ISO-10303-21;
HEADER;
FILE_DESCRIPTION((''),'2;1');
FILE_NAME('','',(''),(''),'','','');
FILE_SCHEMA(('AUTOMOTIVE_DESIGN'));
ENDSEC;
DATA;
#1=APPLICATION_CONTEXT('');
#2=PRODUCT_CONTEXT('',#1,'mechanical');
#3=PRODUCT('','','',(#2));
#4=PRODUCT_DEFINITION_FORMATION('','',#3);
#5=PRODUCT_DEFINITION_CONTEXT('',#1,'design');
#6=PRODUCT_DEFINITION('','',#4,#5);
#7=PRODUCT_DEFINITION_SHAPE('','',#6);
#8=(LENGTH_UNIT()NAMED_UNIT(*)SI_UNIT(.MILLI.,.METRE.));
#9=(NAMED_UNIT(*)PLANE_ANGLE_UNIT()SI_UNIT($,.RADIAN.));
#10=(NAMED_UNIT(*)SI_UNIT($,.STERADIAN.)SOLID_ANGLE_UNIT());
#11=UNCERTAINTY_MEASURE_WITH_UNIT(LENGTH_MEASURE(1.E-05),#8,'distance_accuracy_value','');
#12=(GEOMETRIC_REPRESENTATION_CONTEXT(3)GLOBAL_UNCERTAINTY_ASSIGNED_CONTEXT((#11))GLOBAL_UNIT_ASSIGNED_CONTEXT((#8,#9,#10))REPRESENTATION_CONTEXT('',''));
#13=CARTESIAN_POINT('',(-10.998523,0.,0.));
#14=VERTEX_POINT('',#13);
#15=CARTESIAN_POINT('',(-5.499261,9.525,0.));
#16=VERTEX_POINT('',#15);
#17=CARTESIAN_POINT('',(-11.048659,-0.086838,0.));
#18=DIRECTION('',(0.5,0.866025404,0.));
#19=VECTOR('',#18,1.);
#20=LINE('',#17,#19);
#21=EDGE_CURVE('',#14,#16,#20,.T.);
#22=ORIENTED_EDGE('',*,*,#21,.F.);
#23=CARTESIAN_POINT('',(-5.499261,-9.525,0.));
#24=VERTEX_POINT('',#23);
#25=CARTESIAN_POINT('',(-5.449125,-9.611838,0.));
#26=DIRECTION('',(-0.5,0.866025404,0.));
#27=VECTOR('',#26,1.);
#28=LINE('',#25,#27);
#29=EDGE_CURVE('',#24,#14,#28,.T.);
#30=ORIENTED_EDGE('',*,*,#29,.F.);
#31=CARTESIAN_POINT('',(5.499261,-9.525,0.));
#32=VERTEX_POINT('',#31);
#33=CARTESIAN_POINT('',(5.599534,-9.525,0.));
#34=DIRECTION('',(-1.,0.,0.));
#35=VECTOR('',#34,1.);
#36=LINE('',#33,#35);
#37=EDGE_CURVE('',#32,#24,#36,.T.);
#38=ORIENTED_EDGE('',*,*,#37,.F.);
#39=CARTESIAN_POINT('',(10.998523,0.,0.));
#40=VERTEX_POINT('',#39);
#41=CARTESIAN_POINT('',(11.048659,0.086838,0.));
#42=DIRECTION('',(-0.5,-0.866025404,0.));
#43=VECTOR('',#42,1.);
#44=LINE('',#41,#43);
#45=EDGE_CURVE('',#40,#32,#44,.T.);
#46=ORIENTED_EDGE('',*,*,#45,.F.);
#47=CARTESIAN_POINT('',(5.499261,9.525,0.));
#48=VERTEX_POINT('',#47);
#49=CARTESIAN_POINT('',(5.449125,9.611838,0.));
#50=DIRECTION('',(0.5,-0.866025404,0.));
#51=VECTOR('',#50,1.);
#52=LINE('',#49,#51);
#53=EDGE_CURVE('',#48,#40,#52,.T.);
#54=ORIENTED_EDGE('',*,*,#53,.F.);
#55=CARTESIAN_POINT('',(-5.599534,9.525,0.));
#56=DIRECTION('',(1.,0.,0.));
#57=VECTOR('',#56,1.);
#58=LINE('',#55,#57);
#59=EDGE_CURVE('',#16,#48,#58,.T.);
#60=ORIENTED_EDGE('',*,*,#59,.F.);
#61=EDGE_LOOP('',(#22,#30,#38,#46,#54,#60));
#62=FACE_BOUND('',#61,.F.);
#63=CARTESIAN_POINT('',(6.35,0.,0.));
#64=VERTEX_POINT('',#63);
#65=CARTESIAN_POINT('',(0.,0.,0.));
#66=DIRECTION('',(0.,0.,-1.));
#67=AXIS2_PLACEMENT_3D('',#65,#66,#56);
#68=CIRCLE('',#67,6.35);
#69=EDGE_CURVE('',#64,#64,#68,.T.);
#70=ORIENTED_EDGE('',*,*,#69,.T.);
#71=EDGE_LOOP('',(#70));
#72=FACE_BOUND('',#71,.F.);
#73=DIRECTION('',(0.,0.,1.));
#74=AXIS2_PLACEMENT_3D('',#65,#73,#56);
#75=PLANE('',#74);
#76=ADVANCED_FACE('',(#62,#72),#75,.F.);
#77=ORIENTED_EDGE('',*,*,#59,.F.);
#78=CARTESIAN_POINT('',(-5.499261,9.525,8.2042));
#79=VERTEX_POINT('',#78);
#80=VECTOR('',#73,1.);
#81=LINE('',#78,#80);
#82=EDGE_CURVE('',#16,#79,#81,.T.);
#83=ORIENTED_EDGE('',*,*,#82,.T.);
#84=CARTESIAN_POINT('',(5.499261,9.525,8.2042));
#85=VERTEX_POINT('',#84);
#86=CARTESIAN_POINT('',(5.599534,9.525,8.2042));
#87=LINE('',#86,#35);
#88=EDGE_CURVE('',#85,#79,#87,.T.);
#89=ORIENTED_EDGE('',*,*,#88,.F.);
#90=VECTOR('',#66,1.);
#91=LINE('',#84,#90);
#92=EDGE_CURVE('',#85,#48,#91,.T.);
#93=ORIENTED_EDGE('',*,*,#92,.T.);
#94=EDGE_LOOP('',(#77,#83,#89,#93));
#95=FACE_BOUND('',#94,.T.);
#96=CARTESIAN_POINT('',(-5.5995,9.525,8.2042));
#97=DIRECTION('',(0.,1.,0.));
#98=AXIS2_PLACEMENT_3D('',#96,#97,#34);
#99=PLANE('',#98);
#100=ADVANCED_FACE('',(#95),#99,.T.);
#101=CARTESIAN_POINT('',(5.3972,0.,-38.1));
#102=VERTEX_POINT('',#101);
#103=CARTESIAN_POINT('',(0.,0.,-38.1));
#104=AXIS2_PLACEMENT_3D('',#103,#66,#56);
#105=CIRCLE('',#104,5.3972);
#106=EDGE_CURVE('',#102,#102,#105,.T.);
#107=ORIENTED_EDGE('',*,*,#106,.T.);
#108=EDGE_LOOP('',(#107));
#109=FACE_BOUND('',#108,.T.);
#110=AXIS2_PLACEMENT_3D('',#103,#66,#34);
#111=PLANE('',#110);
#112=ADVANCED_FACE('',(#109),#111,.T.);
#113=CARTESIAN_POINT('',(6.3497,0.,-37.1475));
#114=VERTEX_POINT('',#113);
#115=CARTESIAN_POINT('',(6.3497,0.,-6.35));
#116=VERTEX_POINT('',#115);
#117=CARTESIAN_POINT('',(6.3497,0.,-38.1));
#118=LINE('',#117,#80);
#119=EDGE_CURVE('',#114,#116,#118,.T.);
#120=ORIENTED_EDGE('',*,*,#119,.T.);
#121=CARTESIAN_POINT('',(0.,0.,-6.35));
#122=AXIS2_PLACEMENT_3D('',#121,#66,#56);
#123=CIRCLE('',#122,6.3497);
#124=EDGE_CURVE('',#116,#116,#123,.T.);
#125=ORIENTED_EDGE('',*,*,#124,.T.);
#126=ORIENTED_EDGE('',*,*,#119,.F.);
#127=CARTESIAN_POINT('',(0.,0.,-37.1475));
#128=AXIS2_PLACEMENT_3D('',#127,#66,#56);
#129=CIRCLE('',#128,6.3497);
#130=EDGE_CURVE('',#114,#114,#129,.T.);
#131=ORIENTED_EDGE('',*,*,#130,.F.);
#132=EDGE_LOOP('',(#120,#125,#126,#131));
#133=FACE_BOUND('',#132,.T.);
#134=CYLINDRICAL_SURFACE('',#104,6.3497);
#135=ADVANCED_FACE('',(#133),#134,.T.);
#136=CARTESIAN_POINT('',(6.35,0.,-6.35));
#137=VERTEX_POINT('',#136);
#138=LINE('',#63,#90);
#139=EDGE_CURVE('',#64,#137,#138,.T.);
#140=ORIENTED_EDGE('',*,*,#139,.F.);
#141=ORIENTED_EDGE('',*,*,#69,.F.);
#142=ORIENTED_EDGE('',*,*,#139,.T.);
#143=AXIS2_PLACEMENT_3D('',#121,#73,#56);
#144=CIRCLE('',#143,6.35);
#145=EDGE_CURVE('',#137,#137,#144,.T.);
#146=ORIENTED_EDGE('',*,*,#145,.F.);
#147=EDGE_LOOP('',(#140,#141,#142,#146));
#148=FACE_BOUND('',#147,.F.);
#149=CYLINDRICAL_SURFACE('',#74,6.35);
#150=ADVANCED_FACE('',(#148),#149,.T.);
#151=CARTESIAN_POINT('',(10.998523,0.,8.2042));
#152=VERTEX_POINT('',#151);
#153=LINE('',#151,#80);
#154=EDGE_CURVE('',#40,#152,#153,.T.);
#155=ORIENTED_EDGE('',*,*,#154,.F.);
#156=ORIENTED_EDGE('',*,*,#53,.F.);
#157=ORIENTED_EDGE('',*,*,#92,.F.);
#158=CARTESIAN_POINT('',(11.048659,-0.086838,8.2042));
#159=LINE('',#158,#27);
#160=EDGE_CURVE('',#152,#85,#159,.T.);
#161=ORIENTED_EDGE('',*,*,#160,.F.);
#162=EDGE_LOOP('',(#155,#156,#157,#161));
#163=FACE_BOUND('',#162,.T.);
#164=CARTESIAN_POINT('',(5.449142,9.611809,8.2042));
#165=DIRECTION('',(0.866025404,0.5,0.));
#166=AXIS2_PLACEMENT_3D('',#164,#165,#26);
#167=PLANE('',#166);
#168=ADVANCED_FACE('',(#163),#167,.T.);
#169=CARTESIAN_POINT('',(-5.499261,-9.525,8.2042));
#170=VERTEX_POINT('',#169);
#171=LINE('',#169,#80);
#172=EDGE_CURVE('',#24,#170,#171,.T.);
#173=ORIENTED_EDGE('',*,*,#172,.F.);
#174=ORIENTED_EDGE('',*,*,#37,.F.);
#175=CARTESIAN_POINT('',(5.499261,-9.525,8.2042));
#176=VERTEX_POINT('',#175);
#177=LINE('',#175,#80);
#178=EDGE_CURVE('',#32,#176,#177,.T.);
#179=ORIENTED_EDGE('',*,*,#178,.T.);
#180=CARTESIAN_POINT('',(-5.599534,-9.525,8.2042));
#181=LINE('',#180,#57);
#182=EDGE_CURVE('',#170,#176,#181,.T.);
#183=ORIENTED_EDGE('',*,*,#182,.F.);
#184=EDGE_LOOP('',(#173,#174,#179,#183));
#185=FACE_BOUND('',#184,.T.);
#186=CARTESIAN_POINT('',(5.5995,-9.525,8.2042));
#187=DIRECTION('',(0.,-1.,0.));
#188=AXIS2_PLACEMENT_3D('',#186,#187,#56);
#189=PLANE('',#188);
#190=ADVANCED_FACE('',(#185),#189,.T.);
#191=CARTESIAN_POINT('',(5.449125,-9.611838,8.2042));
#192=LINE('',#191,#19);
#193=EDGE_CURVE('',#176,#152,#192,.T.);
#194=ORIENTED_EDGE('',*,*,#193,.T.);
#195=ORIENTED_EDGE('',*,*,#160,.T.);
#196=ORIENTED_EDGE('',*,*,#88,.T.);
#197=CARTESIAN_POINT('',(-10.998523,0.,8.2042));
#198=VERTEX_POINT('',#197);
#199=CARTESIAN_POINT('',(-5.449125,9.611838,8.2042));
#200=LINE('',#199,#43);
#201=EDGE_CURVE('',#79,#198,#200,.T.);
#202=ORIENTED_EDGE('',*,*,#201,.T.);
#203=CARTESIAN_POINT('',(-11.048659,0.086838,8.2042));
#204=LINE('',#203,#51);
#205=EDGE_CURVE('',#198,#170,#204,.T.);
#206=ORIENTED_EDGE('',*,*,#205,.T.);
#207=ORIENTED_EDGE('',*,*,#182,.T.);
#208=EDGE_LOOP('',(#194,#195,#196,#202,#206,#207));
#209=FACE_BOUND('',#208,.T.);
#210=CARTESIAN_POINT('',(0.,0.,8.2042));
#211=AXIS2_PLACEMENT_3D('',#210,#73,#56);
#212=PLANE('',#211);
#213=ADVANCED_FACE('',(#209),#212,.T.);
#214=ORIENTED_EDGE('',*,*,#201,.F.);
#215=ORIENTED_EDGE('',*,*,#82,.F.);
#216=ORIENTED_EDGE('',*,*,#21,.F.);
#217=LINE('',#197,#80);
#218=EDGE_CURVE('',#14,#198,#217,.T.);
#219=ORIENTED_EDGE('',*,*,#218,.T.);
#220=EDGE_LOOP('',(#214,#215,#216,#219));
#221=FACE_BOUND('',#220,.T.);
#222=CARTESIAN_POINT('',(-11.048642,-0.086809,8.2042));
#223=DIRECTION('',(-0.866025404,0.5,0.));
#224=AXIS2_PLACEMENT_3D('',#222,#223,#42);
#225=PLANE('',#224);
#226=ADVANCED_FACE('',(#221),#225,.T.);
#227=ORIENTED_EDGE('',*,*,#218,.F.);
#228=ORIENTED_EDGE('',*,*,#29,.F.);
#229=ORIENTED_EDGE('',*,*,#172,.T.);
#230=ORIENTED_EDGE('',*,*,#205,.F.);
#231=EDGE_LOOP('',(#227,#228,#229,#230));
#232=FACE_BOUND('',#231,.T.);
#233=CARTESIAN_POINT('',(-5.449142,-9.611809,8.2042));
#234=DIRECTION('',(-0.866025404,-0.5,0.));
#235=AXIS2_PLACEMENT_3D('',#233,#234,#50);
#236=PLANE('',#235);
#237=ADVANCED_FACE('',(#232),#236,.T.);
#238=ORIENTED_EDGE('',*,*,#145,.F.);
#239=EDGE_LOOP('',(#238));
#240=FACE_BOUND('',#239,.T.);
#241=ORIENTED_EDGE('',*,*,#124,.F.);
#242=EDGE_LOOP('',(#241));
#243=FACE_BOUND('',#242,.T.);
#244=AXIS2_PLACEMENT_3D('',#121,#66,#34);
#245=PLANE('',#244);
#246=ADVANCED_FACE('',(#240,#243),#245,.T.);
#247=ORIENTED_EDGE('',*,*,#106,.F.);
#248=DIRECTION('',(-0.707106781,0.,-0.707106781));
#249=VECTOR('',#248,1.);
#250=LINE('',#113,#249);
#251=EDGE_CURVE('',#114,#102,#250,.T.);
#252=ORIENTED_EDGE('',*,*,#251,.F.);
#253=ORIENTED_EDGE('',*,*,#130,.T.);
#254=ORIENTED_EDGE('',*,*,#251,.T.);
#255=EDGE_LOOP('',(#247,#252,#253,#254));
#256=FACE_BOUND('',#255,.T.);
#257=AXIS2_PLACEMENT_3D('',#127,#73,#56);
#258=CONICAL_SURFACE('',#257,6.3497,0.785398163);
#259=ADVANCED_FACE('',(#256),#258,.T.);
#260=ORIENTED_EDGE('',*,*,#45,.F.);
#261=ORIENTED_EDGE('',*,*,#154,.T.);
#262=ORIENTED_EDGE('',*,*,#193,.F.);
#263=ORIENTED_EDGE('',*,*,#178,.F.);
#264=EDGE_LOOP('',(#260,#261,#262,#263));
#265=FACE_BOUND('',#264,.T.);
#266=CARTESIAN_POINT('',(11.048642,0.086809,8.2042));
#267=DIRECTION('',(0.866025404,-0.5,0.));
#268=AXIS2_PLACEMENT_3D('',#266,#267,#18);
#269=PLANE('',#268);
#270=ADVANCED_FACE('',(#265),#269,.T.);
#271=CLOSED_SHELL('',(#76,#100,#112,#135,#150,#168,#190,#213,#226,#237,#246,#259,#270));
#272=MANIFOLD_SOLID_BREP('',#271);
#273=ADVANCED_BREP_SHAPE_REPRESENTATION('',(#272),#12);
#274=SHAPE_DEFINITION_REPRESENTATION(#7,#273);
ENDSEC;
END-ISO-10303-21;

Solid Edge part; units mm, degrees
sketch "Sketch1" plane through (0, 0, 0) normal (0, 0, 1) x (1, 0, 0)
  circle A0 centre (0, 0) radius 11.049
  dimension "D1" = 22.098
extrude "Protrusion1" add sketch "Sketch1" along normal blind 8.2042
sketch "Sketch2" plane through (0, 0, 0) normal (0, 0, -1) x (1, 0, 0)
  circle A0 centre (0, 0) radius 6.35
extrude "Protrusion2" add sketch "Sketch2" along normal blind 38.1
sketch "Sketch3" plane through (0, 0, -38.1) normal (0, 0, -1) x (1, 0, 0)
  circle A0 centre (0, 0) radius 6.3497
extrude "Cutout1" cut sketch "Sketch3" against normal blind 31.75 flip side to cut
chamfer "Chamfer_1" distance 0.9525 angle 45 1 edges at (-6.3497, 0, -38.1)
sketch "Sketch4" plane through (0, 0, 8.2042) normal (0, 0, 1) x (1, 0, 0)
  line L0 (-5.5995, 9.525) -> (5.5995, 9.525)
  dimension "D1" = 19.05
extrude "Cutout2" cut sketch "Sketch4" against normal up to next material side at (0, 9.575, 8.2042)
pattern_circular "Pattern1" count 6 over 360 about axis through (0, 0, 8.2042) along (0, 0, 1) of "Cutout2"
properties part number "24100031"
